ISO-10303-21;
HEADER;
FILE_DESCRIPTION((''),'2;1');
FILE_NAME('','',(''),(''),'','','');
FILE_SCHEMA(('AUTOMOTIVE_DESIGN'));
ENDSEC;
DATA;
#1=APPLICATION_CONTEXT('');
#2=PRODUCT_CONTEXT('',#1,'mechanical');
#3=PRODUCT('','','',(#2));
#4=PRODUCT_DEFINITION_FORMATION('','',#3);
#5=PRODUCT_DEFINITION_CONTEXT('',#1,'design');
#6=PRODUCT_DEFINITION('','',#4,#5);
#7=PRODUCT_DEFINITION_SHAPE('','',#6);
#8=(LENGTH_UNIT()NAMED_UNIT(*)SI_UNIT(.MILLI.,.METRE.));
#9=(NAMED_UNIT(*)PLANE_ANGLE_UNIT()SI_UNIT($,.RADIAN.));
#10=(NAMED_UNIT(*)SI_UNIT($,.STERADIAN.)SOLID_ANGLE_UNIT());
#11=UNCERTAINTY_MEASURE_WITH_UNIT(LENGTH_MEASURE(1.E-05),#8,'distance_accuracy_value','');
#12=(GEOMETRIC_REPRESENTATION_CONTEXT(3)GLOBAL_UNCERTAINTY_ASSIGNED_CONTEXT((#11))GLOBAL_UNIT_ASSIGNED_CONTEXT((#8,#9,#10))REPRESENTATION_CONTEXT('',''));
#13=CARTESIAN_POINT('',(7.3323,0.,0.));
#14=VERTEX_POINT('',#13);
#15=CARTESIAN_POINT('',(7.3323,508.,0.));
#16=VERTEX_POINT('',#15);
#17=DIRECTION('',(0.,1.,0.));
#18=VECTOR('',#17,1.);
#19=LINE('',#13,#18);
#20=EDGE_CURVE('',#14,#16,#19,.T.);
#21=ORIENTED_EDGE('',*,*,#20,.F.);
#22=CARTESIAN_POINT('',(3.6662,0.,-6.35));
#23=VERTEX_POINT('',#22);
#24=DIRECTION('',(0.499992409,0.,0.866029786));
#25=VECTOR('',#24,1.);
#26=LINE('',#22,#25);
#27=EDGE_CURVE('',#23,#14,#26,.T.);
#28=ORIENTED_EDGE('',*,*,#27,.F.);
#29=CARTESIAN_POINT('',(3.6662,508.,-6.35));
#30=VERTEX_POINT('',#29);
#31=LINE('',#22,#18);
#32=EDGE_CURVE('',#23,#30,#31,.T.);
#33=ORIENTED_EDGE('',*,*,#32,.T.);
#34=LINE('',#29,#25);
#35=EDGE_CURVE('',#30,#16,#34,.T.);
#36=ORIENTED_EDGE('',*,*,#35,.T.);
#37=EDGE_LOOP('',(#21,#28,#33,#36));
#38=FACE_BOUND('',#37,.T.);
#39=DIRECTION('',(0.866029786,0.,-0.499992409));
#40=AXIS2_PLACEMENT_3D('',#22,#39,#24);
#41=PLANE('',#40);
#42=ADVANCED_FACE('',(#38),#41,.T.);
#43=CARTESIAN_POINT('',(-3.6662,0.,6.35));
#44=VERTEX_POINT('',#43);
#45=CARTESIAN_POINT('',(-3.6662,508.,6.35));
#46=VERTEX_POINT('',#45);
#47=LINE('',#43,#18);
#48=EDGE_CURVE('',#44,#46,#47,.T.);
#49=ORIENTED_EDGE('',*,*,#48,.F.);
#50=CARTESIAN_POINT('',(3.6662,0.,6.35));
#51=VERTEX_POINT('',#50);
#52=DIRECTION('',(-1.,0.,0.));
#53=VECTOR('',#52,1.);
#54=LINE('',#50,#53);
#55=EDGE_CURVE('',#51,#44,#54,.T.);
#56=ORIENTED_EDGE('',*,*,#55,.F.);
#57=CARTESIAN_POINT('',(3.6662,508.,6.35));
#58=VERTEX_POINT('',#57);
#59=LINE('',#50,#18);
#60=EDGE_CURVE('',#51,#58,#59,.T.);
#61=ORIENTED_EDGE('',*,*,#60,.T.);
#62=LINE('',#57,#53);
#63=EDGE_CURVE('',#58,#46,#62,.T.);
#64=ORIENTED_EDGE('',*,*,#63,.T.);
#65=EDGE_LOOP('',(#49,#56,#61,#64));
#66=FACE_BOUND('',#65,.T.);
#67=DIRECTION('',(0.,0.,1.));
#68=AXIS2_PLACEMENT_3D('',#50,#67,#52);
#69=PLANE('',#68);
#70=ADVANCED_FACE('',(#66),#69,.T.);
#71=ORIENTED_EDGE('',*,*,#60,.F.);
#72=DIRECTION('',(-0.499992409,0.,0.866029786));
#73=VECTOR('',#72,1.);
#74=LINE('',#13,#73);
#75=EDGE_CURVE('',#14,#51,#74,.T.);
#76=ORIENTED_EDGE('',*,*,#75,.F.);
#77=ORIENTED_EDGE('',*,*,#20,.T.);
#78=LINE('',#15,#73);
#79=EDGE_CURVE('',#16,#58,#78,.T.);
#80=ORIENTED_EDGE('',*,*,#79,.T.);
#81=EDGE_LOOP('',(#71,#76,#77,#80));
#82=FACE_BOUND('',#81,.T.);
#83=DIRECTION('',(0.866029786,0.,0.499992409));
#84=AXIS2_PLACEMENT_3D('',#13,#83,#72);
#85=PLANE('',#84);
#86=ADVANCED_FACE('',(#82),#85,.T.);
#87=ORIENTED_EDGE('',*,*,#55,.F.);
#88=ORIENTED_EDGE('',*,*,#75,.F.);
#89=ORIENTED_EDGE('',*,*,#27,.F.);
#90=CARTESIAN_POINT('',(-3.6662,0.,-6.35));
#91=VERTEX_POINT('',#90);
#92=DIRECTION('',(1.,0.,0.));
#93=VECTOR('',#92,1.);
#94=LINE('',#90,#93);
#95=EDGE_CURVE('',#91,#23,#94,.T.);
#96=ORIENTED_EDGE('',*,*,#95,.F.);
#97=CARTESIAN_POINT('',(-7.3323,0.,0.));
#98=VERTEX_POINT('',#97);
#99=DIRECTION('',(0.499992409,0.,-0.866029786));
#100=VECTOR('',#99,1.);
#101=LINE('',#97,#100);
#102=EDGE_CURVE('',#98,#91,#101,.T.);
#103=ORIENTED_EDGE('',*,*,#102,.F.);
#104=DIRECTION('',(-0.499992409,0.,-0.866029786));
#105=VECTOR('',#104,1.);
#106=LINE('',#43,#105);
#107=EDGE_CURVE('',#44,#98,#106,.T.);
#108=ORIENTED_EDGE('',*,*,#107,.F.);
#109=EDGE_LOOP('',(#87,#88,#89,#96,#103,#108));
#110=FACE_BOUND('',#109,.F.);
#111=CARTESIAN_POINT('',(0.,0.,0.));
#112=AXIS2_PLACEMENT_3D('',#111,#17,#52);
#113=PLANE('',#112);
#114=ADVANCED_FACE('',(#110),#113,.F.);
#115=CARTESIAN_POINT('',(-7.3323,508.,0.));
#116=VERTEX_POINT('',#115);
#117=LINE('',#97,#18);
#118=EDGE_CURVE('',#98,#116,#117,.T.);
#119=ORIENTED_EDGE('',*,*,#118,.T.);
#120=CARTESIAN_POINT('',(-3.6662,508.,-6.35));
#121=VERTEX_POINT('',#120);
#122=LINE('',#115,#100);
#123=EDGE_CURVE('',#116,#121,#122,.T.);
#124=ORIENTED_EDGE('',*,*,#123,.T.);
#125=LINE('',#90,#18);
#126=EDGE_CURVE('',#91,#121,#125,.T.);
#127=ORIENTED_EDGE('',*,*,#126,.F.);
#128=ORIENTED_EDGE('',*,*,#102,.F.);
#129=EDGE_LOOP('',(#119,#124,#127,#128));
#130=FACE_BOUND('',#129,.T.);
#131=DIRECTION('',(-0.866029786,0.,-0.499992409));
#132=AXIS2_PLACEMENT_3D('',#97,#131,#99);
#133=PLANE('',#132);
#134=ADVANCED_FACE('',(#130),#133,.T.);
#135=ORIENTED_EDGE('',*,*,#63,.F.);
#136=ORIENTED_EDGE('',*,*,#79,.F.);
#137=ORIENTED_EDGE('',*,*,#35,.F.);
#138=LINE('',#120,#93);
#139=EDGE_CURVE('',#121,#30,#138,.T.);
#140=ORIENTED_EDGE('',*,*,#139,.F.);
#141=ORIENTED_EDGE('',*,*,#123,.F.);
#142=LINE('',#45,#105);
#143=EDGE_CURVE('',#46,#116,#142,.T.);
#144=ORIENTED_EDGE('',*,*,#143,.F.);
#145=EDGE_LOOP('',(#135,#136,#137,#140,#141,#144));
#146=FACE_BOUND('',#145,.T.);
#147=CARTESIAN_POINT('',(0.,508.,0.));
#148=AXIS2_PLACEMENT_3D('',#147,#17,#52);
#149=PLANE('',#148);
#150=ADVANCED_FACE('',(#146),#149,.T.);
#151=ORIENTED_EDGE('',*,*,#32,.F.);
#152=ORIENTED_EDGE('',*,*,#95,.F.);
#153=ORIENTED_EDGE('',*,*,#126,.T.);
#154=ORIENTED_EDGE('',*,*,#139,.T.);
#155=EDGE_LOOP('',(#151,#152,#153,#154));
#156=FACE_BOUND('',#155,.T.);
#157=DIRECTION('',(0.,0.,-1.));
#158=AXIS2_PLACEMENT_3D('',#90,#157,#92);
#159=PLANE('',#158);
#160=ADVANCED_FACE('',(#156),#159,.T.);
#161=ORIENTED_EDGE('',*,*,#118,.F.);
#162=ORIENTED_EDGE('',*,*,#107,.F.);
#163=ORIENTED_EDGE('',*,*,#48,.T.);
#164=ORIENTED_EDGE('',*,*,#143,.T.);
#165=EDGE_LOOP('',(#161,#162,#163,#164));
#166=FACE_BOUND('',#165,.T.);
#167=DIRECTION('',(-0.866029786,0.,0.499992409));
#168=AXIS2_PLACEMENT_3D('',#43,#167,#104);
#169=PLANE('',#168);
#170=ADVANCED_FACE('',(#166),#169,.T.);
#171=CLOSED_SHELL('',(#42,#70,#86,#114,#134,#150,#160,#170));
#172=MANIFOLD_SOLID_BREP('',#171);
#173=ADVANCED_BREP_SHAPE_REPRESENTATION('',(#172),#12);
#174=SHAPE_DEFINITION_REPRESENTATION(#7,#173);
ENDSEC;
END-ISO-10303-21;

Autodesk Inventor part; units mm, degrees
ref_plane "YZ Plane" through (0, 0, 0) normal (1, 0, 0) x (0, 1, 0)
ref_plane "XZ Plane" through (0, 0, 0) normal (0, 1, 0) x (-1, 0, 0)
ref_plane "XY Plane" through (0, 0, 0) normal (0, 0, 1) x (1, 0, 0)
sketch "Sketch1" plane through (0, 0, 0) normal (0, 1, 0) x (-1, 0, 0)
  line L0 (7.3323, 0) -> (3.6662, -6.35)
  line L1 (3.6662, -6.35) -> (-3.6662, -6.35)
  line L2 (-3.6662, -6.35) -> (-7.3323, 0)
  line L3 (-7.3323, 0) -> (-3.6662, 6.35)
  line L4 (-3.6662, 6.35) -> (3.6662, 6.35)
  line L5 (3.6662, 6.35) -> (7.3323, 0)
  point P0 (0, 0)
  point P1 (0, 0)
  dimension "d0" = 12.7
extrude "Extrusion1" add sketch "Sketch1" along normal blind 508
properties part number "Hex Shaft"
